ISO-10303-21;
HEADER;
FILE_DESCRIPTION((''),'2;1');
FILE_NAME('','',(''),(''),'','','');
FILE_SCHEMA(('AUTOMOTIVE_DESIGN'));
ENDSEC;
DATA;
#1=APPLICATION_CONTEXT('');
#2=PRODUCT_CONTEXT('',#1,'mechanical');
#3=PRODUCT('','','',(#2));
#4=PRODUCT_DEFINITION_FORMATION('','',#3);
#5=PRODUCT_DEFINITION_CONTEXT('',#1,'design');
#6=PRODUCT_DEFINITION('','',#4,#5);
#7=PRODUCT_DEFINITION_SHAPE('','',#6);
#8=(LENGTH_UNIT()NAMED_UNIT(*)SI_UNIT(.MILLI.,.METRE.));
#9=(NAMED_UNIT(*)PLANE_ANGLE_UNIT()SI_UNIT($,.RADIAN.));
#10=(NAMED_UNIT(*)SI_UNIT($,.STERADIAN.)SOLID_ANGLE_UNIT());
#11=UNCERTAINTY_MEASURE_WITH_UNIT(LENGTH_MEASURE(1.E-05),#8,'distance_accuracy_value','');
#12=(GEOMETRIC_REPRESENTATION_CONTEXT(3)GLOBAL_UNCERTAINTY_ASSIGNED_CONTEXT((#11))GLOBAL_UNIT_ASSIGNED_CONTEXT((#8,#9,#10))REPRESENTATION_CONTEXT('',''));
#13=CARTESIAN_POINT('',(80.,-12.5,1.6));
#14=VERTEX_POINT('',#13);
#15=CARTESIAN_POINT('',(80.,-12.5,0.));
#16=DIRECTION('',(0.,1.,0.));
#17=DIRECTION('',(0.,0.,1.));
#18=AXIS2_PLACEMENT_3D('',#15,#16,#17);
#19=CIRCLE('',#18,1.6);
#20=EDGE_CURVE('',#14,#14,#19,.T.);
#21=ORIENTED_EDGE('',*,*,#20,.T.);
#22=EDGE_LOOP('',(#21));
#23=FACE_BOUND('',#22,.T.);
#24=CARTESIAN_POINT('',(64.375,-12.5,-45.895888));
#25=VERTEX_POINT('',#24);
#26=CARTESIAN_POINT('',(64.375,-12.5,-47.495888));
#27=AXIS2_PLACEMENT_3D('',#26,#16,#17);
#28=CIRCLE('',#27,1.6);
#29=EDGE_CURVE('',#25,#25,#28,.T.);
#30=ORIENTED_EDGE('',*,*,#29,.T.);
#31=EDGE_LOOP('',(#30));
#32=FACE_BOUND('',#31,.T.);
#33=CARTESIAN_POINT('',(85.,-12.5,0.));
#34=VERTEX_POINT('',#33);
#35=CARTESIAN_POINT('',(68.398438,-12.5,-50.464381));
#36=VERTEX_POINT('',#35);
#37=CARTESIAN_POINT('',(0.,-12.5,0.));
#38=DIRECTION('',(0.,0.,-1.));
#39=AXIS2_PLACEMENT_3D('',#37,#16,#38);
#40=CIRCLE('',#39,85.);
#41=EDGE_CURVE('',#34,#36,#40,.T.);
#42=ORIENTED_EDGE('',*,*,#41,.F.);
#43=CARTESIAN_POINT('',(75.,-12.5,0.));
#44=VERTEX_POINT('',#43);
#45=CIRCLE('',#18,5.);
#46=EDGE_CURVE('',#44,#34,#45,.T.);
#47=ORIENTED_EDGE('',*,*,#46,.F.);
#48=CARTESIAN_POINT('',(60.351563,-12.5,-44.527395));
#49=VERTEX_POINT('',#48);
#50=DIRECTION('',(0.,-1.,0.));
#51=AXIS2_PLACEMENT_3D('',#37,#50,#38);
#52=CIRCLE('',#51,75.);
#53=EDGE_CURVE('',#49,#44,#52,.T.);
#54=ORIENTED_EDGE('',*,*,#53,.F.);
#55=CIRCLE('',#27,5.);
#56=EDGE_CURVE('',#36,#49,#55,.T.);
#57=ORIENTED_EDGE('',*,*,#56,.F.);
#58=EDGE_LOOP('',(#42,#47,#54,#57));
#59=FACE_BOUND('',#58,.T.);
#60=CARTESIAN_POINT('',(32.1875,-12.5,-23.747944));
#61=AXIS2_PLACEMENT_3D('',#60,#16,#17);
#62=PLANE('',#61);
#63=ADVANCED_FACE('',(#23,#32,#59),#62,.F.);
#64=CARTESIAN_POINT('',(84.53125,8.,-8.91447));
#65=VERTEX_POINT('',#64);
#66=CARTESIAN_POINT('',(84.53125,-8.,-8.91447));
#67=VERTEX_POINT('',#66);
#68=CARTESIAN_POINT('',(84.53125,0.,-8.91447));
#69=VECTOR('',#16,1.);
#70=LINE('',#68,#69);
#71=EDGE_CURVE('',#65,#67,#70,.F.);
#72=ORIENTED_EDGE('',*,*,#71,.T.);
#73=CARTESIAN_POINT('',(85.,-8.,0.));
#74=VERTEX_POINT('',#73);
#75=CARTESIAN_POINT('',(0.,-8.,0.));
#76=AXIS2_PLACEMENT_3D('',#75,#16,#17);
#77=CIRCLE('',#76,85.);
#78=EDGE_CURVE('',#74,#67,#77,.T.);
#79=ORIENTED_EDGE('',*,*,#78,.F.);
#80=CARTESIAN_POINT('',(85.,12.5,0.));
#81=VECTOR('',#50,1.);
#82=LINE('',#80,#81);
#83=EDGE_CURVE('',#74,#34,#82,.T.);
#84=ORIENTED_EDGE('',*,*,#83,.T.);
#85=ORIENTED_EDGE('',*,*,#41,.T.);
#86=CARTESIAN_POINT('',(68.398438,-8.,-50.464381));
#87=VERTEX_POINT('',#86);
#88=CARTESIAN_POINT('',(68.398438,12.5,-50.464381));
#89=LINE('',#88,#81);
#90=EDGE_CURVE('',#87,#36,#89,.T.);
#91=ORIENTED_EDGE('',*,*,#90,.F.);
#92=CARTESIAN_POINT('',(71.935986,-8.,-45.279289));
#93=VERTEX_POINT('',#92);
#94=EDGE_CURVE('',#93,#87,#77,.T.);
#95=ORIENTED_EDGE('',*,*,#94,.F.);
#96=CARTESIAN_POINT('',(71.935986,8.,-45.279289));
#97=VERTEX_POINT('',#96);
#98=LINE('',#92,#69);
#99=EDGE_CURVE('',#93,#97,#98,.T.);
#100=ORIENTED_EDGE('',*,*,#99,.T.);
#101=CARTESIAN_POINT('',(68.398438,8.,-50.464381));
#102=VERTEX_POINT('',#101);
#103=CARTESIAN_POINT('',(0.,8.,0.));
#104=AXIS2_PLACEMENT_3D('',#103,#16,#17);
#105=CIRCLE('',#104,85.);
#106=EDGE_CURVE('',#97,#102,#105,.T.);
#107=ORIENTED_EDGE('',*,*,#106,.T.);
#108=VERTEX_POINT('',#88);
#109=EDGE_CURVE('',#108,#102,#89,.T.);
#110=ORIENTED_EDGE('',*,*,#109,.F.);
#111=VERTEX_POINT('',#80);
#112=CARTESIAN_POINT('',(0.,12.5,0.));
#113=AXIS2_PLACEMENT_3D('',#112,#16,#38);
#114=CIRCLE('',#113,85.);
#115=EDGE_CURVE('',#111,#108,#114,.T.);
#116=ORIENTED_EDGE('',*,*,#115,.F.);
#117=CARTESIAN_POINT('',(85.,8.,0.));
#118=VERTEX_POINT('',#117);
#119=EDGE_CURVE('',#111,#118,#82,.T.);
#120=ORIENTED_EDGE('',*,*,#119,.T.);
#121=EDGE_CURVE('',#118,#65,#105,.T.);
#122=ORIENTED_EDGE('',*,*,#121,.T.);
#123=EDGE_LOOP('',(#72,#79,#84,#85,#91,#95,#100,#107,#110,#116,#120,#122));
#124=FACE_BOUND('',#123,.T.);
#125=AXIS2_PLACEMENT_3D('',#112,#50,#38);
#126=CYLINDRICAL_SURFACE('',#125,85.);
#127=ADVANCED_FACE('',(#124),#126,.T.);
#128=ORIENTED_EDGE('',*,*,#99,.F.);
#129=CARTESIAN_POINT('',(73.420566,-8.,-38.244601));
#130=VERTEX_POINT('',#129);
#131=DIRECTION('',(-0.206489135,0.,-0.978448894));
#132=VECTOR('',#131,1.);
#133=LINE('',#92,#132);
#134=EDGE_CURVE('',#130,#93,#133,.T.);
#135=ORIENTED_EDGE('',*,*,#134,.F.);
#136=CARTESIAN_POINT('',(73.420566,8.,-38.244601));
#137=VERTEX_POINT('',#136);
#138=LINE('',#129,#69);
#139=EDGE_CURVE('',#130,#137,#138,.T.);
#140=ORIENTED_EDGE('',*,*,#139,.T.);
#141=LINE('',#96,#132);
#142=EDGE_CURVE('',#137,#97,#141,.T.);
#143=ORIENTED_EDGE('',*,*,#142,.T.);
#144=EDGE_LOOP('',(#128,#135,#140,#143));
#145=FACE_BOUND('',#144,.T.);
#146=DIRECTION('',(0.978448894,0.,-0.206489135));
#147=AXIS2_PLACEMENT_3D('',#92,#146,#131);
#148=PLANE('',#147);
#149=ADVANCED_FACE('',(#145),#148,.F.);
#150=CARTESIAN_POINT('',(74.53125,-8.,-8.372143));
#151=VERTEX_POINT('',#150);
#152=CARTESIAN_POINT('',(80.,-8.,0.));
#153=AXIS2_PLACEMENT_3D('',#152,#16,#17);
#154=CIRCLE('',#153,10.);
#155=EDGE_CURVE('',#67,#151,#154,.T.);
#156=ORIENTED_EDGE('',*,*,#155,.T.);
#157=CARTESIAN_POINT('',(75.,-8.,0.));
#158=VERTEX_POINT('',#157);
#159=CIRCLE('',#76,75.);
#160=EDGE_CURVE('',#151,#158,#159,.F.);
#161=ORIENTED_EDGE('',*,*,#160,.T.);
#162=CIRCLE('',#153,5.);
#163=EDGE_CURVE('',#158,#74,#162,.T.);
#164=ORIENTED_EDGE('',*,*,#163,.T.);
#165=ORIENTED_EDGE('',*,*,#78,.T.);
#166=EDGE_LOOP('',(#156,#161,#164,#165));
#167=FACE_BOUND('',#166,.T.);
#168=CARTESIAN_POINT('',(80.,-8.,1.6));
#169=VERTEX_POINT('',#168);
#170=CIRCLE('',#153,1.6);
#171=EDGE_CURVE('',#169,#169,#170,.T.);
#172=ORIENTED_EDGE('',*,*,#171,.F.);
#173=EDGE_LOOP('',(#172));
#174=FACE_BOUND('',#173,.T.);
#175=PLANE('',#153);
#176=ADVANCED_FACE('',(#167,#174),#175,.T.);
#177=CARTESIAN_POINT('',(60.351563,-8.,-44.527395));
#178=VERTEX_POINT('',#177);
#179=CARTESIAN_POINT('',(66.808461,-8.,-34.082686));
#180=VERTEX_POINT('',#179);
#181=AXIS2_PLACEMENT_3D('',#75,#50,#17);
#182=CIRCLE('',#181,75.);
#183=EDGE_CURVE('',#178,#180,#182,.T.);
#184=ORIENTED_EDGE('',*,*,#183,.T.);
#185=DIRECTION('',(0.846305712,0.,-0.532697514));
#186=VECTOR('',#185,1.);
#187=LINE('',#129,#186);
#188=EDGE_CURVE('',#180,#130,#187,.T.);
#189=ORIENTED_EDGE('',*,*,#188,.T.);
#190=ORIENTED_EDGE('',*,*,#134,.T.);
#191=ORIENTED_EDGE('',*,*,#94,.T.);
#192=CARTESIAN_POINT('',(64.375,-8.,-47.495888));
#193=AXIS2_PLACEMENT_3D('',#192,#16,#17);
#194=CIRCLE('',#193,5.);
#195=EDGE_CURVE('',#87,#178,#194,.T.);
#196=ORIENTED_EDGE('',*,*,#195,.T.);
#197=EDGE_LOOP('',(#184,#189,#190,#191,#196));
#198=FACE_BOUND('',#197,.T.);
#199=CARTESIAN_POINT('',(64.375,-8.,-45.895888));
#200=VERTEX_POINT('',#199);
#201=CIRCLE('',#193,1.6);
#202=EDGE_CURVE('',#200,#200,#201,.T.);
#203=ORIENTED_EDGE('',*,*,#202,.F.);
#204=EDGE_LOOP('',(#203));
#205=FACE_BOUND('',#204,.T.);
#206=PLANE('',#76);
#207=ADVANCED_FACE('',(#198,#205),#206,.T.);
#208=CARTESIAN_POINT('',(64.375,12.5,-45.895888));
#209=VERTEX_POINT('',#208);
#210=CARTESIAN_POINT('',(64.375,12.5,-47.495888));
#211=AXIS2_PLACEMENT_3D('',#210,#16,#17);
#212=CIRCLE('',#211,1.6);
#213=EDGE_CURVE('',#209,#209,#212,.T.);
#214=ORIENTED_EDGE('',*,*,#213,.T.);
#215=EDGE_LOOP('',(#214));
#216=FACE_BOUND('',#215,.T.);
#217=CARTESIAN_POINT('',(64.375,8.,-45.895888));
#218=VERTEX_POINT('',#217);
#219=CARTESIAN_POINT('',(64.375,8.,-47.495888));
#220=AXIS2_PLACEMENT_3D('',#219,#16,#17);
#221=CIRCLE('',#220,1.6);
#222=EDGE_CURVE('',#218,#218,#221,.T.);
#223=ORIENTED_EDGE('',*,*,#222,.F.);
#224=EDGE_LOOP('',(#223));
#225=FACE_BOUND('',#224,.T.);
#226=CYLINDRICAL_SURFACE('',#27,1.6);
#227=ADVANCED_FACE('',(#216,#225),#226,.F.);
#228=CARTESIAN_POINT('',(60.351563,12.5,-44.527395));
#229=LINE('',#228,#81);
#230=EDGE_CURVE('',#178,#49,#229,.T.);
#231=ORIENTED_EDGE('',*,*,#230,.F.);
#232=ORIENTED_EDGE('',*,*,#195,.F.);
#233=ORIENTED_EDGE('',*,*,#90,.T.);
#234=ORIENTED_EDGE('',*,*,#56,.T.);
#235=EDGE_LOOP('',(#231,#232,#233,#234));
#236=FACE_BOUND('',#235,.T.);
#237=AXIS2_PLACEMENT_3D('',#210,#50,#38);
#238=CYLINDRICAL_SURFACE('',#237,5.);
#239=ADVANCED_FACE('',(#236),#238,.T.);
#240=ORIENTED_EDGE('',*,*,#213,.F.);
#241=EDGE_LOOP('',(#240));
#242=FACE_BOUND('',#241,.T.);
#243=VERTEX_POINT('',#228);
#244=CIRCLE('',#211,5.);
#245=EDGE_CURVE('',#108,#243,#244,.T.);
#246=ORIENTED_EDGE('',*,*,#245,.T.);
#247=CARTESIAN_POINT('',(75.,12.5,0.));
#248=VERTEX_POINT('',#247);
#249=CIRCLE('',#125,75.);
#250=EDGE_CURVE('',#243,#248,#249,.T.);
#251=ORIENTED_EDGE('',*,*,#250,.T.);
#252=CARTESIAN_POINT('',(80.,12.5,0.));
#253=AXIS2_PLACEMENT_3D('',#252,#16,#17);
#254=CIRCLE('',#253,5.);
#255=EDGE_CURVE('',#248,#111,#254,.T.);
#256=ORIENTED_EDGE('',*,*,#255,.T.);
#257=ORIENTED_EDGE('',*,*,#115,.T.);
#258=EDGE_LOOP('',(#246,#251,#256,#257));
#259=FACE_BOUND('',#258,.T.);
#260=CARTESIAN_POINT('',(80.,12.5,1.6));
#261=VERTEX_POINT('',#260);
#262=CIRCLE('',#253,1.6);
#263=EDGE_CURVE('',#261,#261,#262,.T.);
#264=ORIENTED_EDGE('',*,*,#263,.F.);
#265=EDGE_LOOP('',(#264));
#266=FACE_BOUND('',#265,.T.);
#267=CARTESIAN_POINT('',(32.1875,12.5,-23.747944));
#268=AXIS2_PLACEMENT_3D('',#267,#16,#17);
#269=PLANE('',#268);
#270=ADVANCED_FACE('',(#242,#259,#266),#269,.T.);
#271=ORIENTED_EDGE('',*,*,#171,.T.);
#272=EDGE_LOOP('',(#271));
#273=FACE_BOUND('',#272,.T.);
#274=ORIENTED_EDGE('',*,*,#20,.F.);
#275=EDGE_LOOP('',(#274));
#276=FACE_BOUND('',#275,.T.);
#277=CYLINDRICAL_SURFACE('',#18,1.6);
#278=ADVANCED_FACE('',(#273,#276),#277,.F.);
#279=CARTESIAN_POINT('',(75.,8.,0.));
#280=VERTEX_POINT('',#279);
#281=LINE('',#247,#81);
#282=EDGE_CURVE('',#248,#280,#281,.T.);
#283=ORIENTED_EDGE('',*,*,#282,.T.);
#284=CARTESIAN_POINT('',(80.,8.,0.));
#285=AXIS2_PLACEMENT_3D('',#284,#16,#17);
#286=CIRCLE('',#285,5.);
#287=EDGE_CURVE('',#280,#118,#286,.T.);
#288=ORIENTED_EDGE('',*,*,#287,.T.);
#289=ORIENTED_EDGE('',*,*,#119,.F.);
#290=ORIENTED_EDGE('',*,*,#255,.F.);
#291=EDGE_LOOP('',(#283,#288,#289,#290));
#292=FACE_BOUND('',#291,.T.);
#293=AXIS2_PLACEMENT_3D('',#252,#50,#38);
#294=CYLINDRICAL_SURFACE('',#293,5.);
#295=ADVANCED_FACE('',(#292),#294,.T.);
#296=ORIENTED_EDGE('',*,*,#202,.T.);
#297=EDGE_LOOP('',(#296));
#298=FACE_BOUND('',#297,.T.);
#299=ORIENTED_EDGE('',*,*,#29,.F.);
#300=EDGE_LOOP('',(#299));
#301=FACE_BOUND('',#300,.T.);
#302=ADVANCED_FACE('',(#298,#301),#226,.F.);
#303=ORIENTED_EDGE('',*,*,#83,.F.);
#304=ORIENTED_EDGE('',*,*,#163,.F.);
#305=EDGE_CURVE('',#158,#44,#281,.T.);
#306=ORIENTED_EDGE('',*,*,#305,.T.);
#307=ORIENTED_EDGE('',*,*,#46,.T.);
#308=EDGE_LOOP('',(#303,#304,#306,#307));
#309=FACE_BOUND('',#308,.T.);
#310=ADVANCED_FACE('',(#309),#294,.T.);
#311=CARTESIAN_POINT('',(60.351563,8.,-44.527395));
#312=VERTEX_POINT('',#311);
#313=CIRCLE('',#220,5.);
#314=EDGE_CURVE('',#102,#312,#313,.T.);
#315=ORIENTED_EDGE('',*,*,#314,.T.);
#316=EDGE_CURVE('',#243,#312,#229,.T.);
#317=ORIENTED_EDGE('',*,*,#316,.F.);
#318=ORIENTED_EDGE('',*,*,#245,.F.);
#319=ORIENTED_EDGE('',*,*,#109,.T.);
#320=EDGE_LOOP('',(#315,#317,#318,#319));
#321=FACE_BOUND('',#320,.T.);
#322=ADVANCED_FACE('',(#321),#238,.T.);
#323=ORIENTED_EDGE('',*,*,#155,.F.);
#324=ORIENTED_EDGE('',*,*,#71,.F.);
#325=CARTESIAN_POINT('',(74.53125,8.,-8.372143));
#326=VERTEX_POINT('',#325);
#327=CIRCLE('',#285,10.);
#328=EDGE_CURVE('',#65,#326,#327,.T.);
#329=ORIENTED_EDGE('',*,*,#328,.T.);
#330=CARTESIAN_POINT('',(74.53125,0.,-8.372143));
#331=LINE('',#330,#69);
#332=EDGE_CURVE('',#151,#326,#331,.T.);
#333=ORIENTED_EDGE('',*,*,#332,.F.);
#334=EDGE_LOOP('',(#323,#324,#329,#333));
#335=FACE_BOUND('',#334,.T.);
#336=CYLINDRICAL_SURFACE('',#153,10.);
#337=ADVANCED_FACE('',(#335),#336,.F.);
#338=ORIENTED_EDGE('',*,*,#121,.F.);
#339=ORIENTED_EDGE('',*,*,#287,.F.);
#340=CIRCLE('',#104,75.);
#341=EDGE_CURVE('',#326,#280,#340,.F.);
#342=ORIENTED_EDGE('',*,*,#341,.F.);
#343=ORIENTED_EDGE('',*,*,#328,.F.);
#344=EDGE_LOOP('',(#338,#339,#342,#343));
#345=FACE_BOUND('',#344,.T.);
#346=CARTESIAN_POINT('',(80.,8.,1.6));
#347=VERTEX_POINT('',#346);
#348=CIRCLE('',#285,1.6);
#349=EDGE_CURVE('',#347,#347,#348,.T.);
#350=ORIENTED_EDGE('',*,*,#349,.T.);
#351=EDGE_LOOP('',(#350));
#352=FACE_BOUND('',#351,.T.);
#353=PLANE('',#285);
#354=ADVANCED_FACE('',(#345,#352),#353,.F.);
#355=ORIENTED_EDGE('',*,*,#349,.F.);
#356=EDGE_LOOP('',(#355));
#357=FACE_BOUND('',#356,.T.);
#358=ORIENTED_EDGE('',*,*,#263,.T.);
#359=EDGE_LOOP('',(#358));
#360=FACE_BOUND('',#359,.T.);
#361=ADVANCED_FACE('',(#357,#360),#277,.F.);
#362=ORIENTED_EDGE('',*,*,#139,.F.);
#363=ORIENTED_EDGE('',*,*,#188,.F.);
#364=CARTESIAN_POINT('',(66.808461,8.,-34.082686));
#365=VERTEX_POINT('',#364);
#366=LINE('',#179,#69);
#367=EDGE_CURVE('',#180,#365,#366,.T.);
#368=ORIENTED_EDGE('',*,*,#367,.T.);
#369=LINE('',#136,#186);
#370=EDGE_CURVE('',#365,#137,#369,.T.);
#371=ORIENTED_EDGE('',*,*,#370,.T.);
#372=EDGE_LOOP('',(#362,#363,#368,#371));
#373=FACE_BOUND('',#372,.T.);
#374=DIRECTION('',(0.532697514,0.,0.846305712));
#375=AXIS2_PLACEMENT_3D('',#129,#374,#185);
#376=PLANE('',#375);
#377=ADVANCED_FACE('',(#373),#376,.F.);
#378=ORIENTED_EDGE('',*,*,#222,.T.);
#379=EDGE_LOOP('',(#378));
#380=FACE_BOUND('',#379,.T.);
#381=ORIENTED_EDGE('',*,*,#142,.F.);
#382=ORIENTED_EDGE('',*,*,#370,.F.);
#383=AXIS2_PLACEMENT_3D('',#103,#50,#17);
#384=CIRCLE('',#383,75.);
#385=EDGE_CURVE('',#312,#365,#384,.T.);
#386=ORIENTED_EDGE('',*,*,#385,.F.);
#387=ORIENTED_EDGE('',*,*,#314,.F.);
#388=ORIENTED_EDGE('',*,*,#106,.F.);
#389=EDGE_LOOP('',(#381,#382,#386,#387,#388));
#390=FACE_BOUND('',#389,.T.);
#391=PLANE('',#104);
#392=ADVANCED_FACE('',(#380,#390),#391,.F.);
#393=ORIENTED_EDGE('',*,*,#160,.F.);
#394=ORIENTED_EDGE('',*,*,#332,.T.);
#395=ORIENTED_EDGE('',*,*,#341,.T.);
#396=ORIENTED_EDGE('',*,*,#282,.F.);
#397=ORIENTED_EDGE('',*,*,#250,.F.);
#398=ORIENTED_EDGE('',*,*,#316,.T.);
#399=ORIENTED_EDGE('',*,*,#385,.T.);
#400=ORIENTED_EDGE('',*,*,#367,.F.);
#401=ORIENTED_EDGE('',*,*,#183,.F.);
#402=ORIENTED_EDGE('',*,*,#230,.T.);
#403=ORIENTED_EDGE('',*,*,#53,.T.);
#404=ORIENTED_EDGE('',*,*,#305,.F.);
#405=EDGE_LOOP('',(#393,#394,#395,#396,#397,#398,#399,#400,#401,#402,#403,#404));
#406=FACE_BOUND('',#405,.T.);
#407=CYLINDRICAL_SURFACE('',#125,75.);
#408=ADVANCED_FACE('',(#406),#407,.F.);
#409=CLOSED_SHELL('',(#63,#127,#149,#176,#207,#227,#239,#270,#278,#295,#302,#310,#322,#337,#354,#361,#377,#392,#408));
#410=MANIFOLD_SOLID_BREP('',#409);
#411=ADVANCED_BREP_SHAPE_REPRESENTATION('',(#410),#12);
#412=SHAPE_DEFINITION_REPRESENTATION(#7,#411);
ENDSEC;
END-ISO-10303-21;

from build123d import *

# Parameters (mm, degrees)
EXTRUDE_1_DEPTH          = 12.5
SKETCH_2_R               = 10
CUT_EXTRUDE_1_DEPTH      = 8
CUT_EXTRUDE_2_DEPTH      = 103.984553477
CUT_EXTRUDE_2_DEPTH_BACK = 103.984553477
SKETCH_3_R               = 1.6


with BuildPart() as part:
    # 草图1 → 凸台-拉伸1 (new, symmetric)
    with BuildSketch(Plane(origin=(0, 0, 0), x_dir=(1, 0, 0), z_dir=(0, 1, 0))):
        with BuildLine():
            ThreePointArc((60.351562504, 44.527394976), (71.243831971, 23.437499997), (75, 0))
            ThreePointArc((75, 0), (80, -5), (85, 0))
            ThreePointArc((85, 0), (80.743009566, 26.5625), (68.3984375, 50.464380979))
            ThreePointArc((68.3984375, 50.464380979), (61.406506999, 51.519325478), (60.351562504, 44.527394976))
        make_face()
    extrude(amount=EXTRUDE_1_DEPTH, both=True)

    # 草图2 → 切除-拉伸1 (cut, symmetric)
    with BuildSketch(Plane(origin=(0, 0, 0), x_dir=(1, 0, 0), z_dir=(0, 1, 0))):
        with Locations((80, 0)):
            Circle(SKETCH_2_R)
        with BuildLine():
            Line((73.420566464, 38.244601007), (66.808461169, 34.082686459))
            ThreePointArc((66.808461169, 34.082686459), (63.794128955, 39.437407507), (60.351562504, 44.527394976))
            ThreePointArc((60.351562504, 44.527394976), (61.406506999, 51.519325478), (68.3984375, 50.464380979))
            ThreePointArc((68.3984375, 50.464380979), (70.215090022, 47.904500135), (71.935985524, 45.279288717))
            Line((71.935985524, 45.279288717), (73.420566464, 38.244601007))
        make_face()
    extrude(amount=CUT_EXTRUDE_1_DEPTH, both=True, mode=Mode.SUBTRACT)

    # 草图3 → 切除-拉伸2 (cut, two sides: drawn at the far end of the back side and taken through both)
    with BuildSketch(Plane(origin=(0, 12.5, 0), x_dir=(1, 0, 0), z_dir=(0, 1, 0)).offset(-CUT_EXTRUDE_2_DEPTH_BACK)):
        with Locations(Location((64.375, 47.49588798, 0), (0, 0, 270))):
            Circle(SKETCH_3_R)
        with Locations(Location((80, 0, 0), (0, 0, 270))):
            Circle(SKETCH_3_R)
    extrude(amount=CUT_EXTRUDE_2_DEPTH + CUT_EXTRUDE_2_DEPTH_BACK, mode=Mode.SUBTRACT)


solid = part.part
